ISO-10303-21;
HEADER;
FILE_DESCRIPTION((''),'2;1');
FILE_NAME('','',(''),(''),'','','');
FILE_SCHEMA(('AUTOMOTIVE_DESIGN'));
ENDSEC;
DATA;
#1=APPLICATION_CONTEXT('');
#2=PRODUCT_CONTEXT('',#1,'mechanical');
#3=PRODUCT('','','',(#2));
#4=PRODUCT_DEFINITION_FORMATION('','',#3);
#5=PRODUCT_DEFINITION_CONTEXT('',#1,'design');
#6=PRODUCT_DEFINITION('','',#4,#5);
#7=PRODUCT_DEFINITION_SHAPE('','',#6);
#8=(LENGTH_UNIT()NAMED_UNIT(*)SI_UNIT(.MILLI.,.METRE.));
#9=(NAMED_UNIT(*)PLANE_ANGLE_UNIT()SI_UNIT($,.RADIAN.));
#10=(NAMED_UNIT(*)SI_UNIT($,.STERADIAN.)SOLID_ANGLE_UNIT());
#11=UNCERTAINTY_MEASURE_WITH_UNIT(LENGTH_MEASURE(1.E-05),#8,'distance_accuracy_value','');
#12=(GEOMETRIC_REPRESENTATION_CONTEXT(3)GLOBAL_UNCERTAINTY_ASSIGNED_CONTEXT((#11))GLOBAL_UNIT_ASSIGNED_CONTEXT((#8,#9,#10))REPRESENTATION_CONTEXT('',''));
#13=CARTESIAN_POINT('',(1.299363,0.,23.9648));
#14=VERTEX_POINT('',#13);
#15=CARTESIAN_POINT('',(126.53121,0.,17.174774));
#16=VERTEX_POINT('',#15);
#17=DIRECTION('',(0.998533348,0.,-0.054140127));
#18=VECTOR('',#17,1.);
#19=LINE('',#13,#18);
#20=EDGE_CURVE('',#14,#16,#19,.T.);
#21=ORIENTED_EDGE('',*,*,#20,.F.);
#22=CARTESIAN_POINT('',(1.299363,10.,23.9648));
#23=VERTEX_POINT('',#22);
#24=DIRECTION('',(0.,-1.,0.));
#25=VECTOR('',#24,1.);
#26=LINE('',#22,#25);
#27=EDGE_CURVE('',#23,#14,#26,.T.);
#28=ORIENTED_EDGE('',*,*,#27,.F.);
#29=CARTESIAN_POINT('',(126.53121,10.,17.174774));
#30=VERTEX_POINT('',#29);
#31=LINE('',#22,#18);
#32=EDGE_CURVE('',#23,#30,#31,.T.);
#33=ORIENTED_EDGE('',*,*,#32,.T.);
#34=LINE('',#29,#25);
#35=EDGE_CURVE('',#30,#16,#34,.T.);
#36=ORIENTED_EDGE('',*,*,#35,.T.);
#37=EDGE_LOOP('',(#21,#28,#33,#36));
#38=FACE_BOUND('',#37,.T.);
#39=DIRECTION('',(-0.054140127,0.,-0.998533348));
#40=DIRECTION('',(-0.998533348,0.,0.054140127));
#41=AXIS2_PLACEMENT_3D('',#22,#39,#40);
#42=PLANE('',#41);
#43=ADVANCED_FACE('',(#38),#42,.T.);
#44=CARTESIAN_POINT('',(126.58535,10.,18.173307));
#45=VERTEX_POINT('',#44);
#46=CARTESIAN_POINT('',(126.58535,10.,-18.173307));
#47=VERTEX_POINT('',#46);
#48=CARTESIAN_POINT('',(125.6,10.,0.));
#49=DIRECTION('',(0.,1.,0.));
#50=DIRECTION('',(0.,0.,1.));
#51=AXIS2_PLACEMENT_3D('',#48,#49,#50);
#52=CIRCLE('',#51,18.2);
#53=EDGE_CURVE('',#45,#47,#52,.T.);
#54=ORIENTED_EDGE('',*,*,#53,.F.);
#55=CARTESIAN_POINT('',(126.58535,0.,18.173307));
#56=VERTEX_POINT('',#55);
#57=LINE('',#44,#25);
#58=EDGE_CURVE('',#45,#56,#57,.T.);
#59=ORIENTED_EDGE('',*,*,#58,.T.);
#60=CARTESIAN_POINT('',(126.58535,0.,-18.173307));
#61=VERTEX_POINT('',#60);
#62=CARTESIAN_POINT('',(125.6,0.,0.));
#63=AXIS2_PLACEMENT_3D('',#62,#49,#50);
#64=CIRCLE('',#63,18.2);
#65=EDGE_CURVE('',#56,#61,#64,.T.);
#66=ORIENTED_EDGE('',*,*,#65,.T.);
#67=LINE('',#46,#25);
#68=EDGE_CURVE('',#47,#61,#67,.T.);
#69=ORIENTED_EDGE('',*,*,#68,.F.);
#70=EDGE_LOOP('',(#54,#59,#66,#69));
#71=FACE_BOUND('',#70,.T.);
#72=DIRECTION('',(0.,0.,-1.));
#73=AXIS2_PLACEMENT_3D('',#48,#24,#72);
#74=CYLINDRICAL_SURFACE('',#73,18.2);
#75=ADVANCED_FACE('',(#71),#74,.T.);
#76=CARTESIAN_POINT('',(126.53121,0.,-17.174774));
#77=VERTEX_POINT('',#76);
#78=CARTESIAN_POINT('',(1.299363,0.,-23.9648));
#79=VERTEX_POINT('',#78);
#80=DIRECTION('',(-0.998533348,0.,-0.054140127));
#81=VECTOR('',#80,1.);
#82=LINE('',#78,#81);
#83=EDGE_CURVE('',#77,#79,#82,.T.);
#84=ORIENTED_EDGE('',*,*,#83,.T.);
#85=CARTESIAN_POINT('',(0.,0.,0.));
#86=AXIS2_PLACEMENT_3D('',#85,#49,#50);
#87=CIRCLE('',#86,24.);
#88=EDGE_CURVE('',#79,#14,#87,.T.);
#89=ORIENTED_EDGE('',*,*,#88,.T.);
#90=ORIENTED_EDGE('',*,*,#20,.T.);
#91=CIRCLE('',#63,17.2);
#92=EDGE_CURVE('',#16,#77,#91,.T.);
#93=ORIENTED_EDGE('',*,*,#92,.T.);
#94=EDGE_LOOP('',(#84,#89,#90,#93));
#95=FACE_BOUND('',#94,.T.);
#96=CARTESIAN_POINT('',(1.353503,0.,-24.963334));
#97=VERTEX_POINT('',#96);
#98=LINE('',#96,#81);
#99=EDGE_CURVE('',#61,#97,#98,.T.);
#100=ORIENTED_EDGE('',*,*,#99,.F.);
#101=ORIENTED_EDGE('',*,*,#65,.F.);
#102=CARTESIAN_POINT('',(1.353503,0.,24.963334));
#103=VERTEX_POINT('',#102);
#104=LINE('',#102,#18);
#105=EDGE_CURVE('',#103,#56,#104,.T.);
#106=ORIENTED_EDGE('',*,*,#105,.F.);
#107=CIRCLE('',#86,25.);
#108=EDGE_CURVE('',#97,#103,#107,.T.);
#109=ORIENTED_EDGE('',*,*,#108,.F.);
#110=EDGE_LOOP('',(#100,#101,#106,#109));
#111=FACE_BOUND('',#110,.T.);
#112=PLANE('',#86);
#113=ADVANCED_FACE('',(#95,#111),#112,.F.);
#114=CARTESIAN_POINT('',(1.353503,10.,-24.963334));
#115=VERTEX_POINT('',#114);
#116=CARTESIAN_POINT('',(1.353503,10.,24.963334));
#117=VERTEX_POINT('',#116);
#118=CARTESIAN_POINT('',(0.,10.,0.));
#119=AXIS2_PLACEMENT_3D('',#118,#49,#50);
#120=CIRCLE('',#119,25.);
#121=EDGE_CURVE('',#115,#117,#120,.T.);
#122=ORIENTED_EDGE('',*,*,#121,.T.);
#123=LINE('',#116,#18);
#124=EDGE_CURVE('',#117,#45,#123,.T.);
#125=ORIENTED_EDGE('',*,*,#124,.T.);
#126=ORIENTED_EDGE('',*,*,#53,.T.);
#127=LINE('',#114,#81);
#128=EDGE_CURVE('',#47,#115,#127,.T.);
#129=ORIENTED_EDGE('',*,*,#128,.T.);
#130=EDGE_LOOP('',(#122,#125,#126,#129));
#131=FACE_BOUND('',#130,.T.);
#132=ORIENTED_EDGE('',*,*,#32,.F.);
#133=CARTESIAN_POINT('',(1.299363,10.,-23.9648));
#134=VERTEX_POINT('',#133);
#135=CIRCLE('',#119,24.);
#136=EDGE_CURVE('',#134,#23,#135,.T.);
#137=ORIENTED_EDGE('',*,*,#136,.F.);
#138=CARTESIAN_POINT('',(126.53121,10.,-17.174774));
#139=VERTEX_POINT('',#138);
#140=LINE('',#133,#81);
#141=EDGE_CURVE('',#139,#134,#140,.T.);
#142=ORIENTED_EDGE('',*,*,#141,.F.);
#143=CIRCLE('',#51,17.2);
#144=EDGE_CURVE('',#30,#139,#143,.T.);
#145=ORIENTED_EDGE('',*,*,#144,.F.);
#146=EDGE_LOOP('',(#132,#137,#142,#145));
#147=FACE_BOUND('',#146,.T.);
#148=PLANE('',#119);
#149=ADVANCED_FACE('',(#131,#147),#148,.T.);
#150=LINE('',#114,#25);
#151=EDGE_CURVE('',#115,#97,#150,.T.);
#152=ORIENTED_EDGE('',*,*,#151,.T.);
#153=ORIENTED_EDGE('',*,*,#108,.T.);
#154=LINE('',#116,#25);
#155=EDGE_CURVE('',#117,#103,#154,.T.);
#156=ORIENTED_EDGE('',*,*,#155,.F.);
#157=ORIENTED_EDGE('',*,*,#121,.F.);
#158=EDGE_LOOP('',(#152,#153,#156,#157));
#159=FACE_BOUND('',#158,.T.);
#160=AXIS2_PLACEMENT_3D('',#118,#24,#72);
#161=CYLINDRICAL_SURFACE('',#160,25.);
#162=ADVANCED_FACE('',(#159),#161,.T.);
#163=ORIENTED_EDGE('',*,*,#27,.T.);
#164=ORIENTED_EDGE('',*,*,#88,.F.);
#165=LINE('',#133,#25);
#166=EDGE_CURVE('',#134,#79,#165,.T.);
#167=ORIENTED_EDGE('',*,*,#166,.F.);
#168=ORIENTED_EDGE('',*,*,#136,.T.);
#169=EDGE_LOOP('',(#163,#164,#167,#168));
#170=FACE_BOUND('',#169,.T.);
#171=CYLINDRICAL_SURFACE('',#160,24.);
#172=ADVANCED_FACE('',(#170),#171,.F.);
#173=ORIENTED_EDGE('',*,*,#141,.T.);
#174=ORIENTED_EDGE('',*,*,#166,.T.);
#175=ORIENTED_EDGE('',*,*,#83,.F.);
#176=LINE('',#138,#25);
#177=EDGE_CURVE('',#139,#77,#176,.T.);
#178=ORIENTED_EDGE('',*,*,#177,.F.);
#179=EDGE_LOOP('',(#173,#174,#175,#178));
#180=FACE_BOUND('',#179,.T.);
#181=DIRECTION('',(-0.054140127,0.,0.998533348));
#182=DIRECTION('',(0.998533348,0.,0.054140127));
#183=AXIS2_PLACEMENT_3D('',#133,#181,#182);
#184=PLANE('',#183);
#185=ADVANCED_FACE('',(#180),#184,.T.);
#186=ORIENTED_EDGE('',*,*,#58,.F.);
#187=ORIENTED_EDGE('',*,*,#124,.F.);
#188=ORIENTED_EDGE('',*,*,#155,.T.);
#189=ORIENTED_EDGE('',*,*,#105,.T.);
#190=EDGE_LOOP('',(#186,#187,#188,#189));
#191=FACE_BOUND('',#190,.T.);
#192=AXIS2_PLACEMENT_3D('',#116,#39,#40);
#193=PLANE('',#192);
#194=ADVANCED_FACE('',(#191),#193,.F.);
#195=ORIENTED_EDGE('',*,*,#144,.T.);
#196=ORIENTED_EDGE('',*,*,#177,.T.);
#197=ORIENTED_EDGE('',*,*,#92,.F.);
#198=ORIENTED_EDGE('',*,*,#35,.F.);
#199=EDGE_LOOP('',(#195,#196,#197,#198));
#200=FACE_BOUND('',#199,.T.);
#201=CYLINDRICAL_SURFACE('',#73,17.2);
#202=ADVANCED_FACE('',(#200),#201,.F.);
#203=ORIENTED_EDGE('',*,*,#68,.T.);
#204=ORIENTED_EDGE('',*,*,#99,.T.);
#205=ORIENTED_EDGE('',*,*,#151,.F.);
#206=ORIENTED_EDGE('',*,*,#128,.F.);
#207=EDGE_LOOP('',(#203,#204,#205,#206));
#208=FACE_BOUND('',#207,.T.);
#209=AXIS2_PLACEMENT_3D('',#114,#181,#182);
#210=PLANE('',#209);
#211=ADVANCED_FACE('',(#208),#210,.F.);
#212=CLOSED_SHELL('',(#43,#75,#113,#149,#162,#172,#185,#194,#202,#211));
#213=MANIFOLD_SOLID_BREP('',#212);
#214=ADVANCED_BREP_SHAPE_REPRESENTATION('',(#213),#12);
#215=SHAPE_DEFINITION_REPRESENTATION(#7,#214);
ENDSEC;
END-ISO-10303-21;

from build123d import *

# Parameters (mm, degrees)
BOSS_EXTRUDE1_DEPTH = 10


with BuildPart() as part:
    # Sketch1 → Boss-Extrude1 (new body)
    with BuildSketch(Plane(origin=(0, 0, 0), x_dir=(1, 0, 0), z_dir=(0, 1, 0))):
        with BuildLine():
            Line((1.353503185, 24.963333694), (126.585350318, 18.173306929))
            ThreePointArc((126.585350318, 18.173306929), (143.8, 0), (126.585350318, -18.173306929))
            Line((126.585350318, -18.173306929), (1.353503185, -24.963333694))
            ThreePointArc((1.353503185, -24.963333694), (-25, 0), (1.353503185, 24.963333694))
        make_face()
        with BuildLine():
            Line((1.299363057, 23.964800346), (126.531210191, 17.174773582))
            ThreePointArc((126.531210191, 17.174773582), (142.8, 0), (126.531210191, -17.174773582))
            Line((126.531210191, -17.174773582), (1.299363057, -23.964800346))
            ThreePointArc((1.299363057, -23.964800346), (-24, 0), (1.299363057, 23.964800346))
        make_face(mode=Mode.SUBTRACT)
    extrude(amount=BOSS_EXTRUDE1_DEPTH)


solid = part.part
